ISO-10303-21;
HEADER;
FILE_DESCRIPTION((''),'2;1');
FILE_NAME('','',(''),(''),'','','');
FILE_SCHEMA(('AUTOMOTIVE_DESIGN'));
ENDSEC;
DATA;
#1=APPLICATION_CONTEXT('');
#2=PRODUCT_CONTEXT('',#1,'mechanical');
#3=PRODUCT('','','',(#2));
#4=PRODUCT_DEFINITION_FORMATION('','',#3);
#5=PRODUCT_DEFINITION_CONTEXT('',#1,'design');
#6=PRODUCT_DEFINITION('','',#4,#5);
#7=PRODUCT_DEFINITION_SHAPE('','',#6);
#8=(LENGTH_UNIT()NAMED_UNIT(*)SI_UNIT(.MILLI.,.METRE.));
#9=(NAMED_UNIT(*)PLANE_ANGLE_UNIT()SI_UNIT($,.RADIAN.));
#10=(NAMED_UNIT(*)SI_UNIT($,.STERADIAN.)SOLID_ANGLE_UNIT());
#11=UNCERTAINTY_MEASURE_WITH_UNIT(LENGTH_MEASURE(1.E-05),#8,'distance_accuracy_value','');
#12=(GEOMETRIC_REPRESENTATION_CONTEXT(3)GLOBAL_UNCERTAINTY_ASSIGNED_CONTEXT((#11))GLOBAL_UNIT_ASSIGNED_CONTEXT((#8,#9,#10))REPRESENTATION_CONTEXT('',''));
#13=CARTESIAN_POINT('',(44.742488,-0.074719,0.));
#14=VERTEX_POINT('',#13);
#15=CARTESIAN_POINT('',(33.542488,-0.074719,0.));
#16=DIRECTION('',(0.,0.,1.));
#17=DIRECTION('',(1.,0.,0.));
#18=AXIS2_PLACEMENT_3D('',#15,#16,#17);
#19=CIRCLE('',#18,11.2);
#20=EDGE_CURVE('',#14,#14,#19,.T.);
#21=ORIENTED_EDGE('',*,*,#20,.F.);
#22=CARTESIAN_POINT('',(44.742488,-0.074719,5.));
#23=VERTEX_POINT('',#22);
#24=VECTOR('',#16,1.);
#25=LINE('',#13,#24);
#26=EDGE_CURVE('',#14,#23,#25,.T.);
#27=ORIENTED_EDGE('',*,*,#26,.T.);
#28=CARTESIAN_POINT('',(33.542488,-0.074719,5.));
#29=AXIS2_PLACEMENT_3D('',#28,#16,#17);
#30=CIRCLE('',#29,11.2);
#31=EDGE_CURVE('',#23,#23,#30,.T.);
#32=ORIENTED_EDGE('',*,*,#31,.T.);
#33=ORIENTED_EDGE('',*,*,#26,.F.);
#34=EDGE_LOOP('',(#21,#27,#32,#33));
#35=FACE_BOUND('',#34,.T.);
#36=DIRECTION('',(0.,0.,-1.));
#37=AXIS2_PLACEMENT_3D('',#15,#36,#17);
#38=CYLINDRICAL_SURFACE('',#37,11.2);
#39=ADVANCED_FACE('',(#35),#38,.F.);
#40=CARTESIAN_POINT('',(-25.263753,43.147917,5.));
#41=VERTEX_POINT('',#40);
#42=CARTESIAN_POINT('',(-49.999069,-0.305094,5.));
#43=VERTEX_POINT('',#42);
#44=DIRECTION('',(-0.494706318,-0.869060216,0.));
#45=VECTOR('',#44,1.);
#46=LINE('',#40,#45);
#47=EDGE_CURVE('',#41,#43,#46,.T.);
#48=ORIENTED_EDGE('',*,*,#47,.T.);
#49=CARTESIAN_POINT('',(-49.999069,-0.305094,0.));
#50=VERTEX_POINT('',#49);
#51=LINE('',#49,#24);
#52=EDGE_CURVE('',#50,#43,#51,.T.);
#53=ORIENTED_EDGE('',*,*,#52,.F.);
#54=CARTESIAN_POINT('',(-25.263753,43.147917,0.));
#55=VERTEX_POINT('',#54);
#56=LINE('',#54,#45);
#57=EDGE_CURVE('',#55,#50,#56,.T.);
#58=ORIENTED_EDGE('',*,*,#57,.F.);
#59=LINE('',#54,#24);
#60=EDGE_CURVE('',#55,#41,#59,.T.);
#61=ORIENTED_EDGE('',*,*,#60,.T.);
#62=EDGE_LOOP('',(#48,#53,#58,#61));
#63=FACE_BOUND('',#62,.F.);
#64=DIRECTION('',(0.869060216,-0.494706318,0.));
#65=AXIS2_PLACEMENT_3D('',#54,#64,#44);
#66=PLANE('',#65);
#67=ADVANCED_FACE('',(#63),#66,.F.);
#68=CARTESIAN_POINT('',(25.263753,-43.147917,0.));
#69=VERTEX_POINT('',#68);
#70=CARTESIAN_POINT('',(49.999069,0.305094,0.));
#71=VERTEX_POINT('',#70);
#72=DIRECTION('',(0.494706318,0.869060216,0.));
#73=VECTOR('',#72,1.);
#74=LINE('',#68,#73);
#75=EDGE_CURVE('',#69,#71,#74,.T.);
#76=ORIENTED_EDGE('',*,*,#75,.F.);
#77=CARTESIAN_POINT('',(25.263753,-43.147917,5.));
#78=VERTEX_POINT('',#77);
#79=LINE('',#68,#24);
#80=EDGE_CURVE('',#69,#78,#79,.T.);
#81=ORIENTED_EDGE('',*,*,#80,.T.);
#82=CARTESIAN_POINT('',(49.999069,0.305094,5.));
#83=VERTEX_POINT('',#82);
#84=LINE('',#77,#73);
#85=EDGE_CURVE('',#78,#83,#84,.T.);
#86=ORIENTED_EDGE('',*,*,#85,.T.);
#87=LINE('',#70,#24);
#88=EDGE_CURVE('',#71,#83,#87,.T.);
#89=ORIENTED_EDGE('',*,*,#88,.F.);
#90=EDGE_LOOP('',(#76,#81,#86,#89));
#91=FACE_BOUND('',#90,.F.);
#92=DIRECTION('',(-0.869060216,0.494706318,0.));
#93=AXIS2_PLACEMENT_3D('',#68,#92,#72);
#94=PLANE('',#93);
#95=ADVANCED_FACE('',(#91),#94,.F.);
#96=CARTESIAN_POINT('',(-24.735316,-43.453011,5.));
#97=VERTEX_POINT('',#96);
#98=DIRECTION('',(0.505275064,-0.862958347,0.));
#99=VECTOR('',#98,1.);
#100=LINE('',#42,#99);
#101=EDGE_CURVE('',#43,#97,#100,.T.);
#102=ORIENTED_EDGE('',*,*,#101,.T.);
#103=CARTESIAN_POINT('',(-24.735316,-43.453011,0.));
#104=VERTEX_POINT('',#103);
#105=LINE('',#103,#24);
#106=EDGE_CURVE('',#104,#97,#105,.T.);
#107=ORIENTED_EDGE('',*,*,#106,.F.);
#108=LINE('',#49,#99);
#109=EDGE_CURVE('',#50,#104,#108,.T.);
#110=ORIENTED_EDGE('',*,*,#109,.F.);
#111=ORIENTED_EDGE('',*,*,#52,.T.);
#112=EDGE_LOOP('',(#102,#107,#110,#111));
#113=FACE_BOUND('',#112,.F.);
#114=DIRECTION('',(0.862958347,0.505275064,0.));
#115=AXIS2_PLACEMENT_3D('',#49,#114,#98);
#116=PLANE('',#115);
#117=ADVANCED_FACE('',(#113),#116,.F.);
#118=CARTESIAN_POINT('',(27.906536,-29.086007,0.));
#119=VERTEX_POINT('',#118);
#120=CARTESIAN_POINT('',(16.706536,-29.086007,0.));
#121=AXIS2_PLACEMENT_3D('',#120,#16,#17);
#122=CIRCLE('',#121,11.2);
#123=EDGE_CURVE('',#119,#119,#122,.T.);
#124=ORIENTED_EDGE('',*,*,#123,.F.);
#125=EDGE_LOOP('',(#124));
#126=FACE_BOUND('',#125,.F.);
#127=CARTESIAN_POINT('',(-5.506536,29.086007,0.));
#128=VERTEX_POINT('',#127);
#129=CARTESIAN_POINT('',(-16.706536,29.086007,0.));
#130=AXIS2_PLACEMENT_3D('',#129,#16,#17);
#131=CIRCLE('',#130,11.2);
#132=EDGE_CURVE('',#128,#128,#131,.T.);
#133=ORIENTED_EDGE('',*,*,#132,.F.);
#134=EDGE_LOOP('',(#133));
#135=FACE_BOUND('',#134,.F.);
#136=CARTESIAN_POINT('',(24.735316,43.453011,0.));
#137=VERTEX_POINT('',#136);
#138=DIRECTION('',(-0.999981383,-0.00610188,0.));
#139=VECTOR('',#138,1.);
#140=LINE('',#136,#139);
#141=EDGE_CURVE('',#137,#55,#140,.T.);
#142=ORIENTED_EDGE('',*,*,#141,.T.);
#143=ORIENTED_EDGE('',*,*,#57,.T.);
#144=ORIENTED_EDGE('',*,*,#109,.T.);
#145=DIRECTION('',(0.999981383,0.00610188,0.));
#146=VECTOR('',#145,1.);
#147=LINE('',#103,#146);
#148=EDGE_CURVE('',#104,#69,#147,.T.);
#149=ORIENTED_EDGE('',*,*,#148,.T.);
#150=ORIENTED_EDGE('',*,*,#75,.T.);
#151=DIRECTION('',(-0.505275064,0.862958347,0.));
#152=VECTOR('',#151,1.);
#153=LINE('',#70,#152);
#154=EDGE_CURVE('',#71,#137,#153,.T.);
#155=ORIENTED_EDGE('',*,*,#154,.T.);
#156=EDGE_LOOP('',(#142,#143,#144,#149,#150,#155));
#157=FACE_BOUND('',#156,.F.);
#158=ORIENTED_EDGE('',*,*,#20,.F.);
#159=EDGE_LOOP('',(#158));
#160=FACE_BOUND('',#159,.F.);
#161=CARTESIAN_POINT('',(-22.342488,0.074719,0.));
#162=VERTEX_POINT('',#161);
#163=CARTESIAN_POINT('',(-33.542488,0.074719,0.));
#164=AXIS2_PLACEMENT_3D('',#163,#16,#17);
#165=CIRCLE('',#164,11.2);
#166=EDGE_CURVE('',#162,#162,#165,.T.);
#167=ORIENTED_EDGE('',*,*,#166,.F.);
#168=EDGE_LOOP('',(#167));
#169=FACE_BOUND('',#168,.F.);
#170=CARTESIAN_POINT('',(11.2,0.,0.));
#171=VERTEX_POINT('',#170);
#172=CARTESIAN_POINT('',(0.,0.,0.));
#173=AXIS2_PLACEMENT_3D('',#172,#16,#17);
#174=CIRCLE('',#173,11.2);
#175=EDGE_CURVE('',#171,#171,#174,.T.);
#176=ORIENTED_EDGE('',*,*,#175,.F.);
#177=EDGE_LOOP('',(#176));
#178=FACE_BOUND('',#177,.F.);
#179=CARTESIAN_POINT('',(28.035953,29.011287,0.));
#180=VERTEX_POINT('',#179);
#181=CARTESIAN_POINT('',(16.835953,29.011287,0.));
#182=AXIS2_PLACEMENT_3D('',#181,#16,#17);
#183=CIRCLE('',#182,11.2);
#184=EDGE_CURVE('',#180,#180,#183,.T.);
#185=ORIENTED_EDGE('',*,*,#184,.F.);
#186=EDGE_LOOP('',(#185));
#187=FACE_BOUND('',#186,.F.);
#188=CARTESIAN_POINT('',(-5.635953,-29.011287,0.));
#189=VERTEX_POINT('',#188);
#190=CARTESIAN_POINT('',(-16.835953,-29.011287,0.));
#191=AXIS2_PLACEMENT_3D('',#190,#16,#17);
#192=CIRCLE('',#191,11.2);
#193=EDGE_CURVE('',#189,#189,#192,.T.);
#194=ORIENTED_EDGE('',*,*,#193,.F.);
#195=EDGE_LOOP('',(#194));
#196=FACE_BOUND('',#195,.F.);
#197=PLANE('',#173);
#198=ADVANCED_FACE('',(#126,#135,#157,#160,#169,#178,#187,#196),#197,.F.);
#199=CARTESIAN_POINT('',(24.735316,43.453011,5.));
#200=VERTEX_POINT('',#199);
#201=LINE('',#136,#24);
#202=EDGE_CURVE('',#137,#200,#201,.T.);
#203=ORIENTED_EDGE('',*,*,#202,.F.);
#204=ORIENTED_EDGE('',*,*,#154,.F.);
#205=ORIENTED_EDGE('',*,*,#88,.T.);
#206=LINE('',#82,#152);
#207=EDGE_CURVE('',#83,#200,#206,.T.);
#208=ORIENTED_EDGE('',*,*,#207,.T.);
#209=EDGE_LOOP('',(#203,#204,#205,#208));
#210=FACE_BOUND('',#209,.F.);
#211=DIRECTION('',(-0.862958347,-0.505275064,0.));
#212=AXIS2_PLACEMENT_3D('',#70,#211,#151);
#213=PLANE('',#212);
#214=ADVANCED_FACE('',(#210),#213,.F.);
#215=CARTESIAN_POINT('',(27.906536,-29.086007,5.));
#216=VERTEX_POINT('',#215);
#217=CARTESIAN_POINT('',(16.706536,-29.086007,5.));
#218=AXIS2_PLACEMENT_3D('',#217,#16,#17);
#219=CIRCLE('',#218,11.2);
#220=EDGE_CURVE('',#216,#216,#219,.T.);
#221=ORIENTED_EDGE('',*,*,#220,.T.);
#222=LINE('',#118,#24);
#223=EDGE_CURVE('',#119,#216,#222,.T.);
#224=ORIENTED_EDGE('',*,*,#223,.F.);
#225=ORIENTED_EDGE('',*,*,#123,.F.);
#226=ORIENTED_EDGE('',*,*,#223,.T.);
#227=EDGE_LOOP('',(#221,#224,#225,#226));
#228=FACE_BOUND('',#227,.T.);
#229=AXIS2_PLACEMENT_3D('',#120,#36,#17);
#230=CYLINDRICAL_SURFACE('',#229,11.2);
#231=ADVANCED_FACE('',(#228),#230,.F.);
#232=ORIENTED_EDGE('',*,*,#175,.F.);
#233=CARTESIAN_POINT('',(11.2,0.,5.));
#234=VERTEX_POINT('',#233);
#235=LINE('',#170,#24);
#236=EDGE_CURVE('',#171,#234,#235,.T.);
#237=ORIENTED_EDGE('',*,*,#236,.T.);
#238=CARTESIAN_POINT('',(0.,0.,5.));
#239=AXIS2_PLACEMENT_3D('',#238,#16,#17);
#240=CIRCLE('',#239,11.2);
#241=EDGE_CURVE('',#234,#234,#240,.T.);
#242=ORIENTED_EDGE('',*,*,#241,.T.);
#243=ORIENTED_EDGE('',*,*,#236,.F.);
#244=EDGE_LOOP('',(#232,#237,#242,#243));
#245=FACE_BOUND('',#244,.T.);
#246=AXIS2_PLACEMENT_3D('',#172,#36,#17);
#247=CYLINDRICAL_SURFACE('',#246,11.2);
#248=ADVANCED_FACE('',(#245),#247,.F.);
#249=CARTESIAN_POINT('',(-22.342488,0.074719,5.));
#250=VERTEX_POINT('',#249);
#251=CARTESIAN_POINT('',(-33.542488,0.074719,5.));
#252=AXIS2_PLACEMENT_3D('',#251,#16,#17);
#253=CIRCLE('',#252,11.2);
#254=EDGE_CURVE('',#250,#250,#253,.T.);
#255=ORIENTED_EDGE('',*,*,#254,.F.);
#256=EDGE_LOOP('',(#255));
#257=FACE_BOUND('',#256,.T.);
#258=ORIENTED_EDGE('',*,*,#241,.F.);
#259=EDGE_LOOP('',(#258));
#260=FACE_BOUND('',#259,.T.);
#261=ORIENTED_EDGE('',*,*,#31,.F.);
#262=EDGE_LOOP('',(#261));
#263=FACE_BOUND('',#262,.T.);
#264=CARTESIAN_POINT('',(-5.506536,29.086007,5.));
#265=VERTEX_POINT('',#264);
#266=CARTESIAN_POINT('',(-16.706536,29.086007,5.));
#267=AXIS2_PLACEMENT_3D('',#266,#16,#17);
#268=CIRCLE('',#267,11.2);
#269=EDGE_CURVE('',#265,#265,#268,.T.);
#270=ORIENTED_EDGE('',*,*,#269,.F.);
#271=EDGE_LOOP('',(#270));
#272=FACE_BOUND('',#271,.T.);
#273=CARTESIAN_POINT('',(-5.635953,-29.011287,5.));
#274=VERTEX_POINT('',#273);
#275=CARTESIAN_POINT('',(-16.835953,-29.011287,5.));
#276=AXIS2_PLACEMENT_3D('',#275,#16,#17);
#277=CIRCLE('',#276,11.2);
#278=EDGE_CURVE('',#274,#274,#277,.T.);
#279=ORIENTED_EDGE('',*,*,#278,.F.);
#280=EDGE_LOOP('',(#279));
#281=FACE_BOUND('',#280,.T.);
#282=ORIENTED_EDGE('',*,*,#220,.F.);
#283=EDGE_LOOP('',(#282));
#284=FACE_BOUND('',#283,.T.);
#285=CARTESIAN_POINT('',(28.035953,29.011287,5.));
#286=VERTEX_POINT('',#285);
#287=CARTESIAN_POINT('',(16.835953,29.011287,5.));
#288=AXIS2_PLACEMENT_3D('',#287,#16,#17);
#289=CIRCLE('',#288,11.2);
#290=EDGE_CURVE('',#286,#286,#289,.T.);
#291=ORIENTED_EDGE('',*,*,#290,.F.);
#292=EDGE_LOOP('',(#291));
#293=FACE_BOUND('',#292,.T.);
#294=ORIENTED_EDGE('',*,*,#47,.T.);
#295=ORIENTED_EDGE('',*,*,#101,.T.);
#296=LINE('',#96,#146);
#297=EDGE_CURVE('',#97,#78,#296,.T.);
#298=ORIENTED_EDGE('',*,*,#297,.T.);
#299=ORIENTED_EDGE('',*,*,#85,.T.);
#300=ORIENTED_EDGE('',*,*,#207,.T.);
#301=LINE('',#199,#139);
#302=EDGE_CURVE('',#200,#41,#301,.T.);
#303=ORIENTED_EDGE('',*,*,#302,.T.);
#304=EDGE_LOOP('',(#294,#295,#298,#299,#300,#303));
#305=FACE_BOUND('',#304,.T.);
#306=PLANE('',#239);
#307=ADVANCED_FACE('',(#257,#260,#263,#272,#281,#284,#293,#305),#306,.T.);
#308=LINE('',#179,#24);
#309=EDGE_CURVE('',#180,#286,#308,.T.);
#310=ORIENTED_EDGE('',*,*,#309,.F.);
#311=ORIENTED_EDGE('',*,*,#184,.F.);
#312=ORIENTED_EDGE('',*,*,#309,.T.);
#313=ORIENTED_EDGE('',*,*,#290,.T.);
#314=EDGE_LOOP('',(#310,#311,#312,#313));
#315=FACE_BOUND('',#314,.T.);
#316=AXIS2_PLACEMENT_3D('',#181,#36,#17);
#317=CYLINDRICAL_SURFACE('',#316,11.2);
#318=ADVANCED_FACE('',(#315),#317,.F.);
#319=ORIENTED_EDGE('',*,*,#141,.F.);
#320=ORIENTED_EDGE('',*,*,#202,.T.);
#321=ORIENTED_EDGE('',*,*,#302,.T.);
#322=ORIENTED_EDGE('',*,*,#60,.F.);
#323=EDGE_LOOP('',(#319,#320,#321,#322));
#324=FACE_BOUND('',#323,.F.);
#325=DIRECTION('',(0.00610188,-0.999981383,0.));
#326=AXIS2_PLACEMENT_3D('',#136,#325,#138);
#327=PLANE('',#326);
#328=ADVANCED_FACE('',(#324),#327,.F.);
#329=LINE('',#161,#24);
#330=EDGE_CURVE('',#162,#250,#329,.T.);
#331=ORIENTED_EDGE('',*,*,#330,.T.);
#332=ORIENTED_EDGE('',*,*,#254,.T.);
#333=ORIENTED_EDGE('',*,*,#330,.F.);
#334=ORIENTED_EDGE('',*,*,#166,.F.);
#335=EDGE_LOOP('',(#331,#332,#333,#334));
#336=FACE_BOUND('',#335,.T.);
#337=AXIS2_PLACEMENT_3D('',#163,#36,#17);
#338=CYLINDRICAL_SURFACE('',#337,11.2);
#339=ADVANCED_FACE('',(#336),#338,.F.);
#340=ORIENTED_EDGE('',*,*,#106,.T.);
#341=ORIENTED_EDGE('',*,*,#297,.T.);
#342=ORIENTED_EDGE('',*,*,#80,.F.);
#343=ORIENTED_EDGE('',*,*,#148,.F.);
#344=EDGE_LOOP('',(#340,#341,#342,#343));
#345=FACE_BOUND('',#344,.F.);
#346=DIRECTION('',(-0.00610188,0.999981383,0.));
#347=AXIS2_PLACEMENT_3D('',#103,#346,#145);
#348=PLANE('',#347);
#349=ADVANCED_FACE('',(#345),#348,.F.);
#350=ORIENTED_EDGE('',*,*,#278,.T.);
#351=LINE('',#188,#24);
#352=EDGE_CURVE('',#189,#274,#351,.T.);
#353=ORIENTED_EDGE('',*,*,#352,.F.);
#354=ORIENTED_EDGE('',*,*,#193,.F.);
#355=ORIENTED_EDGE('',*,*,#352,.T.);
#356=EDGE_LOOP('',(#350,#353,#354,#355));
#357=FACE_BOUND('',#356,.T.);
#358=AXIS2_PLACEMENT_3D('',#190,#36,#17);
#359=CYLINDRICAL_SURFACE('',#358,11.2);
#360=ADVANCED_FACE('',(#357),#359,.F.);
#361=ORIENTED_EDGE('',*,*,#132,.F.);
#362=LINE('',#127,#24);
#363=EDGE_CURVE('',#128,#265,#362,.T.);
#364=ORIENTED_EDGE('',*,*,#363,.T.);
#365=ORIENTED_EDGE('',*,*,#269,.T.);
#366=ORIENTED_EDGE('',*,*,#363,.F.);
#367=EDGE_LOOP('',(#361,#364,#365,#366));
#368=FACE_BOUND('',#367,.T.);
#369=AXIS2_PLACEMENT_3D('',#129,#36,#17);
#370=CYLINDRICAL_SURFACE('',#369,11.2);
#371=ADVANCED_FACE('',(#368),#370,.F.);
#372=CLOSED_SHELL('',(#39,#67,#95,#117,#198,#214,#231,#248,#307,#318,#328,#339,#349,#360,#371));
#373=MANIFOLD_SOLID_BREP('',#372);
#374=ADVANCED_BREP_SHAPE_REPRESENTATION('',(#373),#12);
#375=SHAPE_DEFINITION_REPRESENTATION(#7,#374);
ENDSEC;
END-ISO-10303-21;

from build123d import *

# Parameters (mm, degrees)
F0_R     = 11.2
F1_DEPTH = 5


with BuildPart() as f1:
    # F0 (on Top) → F1 (new body)
    with BuildSketch(Plane.XY):
        Polygon((49.999069, 0.305094), (24.735316, 43.453011), (-25.263753, 43.147917), (-49.999069, -0.305094), (-24.735316, -43.453011), (25.263753, -43.147917), align=None)
        with Locations((-16.835953, -29.011287)):
            Circle(F0_R, mode=Mode.SUBTRACT)
        with Locations((16.706536, -29.086007)):
            Circle(F0_R, mode=Mode.SUBTRACT)
        with Locations((33.542488, -0.074719)):
            Circle(F0_R, mode=Mode.SUBTRACT)
        with Locations((-33.542488, 0.074719)):
            Circle(F0_R, mode=Mode.SUBTRACT)
        with Locations((-16.706536, 29.086007)):
            Circle(F0_R, mode=Mode.SUBTRACT)
        Circle(F0_R, mode=Mode.SUBTRACT)
        with Locations((16.835953, 29.011287)):
            Circle(F0_R, mode=Mode.SUBTRACT)
    extrude(amount=F1_DEPTH)


solid = f1.part
